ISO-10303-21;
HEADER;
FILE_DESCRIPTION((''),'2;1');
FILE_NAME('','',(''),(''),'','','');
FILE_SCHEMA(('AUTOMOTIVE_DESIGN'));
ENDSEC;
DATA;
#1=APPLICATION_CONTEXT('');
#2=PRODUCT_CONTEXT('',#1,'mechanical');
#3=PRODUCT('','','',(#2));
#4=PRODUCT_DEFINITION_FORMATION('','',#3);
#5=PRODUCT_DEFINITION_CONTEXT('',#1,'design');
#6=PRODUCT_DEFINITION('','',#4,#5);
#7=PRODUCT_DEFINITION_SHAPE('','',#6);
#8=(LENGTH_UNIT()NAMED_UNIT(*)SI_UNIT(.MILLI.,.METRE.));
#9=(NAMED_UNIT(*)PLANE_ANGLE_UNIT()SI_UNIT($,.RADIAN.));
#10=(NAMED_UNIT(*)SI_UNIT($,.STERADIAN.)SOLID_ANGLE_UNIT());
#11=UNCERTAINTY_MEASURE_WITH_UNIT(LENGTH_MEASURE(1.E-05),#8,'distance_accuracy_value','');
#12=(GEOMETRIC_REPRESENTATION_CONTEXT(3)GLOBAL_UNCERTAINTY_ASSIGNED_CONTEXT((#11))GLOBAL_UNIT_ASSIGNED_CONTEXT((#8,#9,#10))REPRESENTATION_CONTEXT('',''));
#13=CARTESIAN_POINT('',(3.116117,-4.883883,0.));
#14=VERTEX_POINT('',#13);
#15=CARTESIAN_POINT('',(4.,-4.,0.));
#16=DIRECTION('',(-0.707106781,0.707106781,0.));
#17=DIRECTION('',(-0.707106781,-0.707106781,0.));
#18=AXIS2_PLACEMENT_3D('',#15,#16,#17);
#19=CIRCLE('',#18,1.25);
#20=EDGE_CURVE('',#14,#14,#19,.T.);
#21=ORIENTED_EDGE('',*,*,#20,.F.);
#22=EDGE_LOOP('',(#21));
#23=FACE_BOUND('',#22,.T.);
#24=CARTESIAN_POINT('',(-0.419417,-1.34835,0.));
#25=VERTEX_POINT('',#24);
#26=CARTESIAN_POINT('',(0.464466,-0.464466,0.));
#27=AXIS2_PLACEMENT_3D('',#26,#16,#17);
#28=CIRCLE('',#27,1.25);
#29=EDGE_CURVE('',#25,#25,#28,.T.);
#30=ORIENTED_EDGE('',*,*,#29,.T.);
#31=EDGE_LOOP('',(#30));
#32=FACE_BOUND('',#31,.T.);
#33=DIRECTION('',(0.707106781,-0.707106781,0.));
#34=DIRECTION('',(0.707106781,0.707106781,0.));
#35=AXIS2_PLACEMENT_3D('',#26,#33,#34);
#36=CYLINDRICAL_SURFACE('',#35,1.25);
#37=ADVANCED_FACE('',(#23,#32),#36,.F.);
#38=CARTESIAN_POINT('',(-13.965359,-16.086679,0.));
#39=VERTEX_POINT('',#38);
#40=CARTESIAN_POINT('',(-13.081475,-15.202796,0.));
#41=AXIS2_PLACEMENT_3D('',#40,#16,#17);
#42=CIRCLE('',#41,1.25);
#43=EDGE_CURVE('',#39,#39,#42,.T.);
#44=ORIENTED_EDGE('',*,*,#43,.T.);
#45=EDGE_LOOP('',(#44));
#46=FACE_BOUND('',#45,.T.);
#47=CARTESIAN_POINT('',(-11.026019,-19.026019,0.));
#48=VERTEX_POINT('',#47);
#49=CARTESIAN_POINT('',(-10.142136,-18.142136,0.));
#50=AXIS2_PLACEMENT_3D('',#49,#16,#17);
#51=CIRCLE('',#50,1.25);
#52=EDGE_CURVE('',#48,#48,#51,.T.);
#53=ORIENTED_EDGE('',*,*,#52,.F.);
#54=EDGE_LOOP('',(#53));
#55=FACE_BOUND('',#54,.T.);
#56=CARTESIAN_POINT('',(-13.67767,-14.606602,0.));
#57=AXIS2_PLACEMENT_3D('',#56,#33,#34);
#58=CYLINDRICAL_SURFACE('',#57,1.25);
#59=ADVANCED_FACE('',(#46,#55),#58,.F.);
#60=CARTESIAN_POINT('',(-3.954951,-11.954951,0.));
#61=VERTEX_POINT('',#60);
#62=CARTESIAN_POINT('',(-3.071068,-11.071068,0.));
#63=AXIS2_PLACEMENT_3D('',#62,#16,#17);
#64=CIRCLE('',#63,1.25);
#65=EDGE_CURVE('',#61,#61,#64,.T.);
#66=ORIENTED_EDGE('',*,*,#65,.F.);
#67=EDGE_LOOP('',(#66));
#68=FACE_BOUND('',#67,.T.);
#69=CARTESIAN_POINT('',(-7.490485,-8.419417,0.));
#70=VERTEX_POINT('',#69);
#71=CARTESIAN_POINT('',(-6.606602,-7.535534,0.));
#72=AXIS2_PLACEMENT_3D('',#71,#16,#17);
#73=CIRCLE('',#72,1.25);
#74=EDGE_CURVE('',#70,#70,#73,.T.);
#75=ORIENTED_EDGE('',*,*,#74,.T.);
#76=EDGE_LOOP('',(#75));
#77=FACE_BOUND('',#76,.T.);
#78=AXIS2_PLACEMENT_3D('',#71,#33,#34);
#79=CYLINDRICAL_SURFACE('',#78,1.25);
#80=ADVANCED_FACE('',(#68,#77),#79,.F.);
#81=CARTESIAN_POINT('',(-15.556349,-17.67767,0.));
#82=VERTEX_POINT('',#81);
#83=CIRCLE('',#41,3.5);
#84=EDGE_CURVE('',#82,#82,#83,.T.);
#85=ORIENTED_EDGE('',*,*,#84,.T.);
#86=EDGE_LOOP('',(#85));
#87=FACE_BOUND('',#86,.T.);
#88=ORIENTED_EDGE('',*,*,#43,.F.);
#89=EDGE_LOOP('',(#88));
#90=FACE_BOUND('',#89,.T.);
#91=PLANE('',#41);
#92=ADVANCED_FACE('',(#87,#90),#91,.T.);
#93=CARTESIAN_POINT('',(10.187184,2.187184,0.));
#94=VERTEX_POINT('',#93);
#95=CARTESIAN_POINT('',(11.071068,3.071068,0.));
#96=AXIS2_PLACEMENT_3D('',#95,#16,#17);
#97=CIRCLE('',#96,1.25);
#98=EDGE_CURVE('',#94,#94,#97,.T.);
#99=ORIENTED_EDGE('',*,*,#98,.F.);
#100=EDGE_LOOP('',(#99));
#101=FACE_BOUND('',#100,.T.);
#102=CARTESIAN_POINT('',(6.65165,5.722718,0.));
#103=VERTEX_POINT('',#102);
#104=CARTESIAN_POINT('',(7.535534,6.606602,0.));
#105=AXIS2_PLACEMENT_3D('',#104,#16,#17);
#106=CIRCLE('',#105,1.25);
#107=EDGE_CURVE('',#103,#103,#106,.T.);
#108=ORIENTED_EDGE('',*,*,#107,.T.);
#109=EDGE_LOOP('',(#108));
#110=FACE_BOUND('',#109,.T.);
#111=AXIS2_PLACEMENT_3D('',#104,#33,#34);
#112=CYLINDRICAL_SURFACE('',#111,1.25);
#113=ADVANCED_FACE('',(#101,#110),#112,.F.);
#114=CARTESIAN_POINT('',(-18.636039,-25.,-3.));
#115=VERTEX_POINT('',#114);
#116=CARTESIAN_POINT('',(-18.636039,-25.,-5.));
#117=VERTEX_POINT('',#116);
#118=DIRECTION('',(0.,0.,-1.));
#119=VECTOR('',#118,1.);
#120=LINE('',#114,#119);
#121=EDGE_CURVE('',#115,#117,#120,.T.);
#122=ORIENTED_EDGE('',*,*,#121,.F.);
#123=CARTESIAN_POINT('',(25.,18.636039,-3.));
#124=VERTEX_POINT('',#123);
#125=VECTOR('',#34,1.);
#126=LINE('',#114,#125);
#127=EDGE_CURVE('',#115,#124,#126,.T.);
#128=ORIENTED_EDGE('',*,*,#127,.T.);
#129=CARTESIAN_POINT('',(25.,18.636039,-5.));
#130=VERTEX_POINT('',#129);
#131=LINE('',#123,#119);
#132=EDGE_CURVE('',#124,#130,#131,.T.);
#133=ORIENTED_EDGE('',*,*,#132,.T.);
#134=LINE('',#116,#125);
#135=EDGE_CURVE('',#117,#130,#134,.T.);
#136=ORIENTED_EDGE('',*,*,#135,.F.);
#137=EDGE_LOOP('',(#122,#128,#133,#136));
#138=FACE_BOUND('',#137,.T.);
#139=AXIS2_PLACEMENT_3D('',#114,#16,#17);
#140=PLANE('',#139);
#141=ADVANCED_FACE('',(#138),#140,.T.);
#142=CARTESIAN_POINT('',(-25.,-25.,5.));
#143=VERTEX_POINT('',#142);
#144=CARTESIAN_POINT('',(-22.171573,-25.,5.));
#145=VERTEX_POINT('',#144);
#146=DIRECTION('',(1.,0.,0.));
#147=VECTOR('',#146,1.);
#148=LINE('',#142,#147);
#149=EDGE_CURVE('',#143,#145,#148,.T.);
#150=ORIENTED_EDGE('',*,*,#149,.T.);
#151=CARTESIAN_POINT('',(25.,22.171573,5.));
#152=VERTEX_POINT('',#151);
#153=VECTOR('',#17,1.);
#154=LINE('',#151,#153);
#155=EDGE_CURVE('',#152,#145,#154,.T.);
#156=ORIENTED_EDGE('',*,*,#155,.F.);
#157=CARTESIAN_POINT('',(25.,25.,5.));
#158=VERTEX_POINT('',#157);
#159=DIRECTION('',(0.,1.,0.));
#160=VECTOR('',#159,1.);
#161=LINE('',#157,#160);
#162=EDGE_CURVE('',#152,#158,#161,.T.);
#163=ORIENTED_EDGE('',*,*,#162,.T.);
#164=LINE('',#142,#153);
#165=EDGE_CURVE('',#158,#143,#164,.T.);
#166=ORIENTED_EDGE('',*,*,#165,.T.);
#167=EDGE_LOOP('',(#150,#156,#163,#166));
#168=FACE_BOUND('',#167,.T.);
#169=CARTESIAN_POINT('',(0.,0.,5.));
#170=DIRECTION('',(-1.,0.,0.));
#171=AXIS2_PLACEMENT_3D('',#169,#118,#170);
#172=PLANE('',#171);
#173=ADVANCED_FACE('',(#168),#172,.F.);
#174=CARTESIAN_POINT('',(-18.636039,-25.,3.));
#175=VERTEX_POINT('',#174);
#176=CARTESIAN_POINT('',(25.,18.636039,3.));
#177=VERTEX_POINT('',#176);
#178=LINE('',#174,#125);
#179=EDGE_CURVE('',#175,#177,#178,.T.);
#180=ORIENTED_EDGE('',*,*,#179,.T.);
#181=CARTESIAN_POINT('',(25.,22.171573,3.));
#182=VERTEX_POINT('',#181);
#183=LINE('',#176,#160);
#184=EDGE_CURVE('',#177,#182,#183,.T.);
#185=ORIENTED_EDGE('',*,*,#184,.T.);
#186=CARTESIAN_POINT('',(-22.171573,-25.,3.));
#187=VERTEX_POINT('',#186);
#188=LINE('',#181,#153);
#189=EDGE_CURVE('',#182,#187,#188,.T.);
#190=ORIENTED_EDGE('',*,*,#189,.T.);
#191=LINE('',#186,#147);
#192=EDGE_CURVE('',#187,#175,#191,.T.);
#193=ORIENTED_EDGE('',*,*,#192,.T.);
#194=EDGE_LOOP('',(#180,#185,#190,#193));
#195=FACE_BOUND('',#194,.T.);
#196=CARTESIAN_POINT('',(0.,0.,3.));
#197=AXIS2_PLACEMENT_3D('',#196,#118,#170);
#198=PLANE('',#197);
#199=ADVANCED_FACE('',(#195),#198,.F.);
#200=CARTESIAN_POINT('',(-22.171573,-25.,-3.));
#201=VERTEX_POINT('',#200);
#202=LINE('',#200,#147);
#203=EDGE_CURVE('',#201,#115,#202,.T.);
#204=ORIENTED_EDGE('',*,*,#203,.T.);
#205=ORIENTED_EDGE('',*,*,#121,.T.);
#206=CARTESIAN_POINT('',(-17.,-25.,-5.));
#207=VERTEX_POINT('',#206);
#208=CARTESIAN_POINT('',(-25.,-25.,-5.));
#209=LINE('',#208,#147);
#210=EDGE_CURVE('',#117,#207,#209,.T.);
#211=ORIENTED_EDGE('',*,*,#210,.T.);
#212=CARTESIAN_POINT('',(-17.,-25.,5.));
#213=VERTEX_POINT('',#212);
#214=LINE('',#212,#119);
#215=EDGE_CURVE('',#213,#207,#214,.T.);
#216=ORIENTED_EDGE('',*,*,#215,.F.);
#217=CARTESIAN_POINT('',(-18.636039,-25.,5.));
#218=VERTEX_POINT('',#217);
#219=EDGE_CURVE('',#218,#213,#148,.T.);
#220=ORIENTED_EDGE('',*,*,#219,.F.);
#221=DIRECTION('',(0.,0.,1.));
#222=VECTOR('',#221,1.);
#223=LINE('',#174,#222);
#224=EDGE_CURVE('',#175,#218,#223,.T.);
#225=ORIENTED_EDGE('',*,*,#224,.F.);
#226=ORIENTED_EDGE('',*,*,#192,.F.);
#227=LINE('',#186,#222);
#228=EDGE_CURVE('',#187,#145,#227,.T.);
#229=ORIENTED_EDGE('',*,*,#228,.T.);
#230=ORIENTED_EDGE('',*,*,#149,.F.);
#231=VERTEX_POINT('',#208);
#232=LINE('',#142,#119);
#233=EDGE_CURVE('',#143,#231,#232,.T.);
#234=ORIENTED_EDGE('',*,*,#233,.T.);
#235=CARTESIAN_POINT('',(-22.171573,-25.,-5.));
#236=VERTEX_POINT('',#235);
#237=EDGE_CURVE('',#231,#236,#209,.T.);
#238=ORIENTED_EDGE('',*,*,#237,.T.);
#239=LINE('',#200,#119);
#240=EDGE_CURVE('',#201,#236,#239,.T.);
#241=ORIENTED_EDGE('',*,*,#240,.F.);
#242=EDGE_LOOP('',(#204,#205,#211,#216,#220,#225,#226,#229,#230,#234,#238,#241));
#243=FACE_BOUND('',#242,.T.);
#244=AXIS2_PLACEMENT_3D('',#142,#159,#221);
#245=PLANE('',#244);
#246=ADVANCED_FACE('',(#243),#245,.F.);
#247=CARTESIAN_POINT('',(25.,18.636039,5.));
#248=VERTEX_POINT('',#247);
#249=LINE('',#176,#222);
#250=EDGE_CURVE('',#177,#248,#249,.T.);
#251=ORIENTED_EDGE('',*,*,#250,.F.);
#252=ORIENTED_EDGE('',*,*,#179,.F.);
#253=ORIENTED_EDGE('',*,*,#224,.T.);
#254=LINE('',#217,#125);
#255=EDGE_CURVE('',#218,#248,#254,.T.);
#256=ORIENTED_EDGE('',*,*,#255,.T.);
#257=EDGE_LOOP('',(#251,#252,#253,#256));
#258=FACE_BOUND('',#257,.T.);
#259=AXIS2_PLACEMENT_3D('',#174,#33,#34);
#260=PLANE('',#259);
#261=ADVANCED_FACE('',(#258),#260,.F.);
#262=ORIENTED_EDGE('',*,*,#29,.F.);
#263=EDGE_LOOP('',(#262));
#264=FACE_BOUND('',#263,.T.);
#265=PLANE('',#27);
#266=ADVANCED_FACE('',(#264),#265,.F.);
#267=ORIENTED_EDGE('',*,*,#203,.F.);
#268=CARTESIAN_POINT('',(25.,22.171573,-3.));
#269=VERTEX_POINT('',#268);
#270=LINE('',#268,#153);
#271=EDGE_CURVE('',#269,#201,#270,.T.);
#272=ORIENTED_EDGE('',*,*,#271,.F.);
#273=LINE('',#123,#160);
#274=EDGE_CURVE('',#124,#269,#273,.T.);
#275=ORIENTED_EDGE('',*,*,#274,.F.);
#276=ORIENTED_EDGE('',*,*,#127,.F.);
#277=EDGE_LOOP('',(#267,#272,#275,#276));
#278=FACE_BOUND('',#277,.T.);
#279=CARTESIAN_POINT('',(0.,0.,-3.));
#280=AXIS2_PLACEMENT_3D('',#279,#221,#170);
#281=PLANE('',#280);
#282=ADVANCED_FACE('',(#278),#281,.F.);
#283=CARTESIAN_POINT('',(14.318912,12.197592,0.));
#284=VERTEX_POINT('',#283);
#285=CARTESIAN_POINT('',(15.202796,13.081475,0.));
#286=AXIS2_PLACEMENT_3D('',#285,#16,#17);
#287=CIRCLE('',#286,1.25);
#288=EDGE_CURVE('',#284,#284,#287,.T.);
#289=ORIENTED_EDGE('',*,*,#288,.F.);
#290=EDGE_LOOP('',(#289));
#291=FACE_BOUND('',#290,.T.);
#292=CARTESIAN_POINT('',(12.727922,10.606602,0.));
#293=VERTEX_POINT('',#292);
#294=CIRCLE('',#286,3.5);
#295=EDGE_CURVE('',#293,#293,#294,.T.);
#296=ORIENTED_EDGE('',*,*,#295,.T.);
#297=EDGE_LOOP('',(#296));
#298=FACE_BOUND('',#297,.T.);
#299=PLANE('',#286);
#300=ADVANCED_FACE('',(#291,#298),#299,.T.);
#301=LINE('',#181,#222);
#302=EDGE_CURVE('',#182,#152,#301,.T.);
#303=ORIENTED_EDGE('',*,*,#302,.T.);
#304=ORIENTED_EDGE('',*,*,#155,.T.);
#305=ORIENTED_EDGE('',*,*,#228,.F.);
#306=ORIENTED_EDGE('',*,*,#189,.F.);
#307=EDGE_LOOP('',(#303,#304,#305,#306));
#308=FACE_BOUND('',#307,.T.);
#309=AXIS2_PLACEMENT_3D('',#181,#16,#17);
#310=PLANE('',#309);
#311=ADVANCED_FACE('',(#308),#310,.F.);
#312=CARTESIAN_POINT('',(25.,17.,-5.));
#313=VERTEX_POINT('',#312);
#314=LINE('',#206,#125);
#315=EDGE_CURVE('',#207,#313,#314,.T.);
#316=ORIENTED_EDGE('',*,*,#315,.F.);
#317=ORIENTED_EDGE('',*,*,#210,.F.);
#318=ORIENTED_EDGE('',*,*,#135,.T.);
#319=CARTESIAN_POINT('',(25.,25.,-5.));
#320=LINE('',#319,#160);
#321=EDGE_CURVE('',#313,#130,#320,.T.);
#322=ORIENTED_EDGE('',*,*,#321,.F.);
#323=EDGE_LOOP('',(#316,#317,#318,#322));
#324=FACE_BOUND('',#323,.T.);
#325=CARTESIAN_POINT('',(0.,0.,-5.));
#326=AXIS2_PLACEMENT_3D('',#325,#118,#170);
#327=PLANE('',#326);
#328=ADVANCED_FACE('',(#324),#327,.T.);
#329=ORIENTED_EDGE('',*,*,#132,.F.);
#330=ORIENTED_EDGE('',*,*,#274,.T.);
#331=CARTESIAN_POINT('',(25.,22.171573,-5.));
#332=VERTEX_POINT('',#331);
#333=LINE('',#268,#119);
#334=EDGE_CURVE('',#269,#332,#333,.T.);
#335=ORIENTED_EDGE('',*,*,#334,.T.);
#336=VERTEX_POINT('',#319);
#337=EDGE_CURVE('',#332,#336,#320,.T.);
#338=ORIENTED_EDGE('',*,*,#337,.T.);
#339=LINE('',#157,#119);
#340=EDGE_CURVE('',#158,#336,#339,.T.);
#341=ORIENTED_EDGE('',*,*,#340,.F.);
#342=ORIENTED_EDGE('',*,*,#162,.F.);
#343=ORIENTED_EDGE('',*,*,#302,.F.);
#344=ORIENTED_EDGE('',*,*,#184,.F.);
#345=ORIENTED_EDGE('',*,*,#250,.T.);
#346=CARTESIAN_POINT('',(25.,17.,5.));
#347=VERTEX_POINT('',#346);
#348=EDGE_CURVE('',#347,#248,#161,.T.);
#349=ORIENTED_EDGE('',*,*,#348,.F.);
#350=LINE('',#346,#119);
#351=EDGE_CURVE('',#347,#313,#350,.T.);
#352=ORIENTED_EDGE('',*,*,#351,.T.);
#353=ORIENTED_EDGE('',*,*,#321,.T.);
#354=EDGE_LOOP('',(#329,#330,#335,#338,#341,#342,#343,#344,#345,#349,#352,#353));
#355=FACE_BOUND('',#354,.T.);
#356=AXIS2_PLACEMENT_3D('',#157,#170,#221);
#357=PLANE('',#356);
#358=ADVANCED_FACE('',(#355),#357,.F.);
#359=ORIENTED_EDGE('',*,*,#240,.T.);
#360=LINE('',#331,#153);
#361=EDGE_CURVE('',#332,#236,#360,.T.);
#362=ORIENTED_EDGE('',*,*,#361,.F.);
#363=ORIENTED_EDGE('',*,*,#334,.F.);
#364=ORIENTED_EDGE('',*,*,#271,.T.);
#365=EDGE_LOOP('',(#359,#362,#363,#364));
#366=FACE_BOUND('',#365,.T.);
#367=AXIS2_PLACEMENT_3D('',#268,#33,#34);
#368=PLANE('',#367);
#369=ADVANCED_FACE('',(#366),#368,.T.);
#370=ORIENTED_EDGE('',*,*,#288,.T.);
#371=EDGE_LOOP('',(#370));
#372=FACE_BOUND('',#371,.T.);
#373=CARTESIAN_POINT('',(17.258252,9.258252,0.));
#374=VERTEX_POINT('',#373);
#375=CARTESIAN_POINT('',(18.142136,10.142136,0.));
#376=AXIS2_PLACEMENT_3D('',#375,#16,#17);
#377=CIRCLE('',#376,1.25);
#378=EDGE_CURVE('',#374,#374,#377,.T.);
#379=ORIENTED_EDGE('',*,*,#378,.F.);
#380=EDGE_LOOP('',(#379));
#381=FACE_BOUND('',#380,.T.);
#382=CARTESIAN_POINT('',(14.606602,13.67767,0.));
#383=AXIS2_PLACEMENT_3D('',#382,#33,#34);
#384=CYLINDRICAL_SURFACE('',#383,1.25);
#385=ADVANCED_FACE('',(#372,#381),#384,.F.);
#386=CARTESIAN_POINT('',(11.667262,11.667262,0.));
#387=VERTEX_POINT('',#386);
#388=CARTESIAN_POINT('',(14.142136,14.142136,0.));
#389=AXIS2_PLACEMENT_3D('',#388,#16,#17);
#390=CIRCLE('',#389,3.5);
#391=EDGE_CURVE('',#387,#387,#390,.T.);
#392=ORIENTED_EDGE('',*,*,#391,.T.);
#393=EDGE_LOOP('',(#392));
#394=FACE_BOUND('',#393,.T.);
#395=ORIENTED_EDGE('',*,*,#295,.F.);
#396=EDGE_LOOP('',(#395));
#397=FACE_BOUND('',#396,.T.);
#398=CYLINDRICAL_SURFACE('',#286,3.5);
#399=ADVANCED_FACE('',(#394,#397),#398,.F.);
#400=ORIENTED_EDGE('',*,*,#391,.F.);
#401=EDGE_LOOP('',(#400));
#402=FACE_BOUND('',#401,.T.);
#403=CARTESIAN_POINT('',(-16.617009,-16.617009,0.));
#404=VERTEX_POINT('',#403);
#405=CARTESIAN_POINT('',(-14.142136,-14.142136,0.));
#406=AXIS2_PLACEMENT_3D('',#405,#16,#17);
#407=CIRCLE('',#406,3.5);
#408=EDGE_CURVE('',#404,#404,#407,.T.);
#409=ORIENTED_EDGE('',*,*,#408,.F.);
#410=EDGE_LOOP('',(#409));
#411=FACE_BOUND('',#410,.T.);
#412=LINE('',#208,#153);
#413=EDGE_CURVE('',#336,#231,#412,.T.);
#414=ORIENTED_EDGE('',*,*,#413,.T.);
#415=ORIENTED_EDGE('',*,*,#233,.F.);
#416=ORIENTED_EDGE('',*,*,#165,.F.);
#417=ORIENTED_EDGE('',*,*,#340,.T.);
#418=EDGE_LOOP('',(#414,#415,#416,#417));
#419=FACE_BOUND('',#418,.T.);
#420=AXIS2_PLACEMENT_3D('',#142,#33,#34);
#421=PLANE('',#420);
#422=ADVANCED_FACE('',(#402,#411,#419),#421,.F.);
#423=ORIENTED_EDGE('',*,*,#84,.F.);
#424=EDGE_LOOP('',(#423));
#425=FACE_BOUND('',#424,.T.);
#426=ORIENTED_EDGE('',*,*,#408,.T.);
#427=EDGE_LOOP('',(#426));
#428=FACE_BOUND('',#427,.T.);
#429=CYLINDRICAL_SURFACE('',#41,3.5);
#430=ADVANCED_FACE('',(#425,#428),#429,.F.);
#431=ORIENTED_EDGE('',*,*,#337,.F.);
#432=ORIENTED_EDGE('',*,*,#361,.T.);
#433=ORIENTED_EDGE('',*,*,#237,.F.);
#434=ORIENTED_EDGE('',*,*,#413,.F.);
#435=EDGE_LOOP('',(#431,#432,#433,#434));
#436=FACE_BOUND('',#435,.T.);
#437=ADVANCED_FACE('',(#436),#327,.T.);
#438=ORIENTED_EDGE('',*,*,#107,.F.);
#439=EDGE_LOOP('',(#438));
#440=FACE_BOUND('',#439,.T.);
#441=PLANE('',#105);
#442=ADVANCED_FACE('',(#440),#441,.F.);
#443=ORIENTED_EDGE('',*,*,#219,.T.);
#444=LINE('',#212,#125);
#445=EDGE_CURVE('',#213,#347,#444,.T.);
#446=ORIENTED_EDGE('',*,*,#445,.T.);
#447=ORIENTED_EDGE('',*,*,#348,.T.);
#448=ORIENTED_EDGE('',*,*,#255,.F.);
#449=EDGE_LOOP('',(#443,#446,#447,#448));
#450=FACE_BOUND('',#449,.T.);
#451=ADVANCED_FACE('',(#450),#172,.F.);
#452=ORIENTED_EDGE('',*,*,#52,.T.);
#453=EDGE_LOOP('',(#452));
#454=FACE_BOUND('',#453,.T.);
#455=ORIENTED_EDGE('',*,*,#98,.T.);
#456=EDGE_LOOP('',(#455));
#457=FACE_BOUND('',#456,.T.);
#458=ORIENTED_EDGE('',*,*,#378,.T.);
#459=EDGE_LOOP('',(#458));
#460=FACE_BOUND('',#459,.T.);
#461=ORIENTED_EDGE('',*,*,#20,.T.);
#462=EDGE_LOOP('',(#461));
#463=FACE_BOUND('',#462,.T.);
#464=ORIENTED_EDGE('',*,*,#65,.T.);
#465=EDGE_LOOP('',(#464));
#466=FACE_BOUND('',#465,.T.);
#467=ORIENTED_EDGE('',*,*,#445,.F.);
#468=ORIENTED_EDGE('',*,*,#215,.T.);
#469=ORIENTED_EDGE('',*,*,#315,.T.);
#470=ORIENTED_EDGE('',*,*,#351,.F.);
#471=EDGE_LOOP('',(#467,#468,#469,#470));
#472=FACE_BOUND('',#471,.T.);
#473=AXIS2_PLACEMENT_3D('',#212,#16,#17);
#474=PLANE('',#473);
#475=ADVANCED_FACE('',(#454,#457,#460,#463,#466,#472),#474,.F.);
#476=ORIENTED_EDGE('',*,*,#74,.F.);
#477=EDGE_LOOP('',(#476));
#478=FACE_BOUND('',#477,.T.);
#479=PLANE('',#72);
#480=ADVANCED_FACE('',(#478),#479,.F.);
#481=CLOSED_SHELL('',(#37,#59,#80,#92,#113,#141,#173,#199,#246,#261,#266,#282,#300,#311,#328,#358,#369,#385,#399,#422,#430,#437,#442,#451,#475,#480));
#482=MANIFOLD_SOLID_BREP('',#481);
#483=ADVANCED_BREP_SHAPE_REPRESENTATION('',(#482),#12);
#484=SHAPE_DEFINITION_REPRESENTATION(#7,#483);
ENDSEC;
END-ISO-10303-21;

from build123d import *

# Parameters (mm, degrees)
MAIN_DEPTH         = 5
WINDOWSLOT1_DEPTH  = 2
SKETCH6_R          = 1.25
CUT_EXTRUDE2_DEPTH = 5
LPATTERN1_COUNT    = 5
LPATTERN1_PITCH    = 10
SKETCH7_R          = 3.5
CUT_EXTRUDE4_DEPTH = 1.5


with BuildPart() as part:
    # Sketch1 → Main (new body, symmetric)
    with BuildSketch(Plane.XY):
        Polygon((-25, -25), (25, 25), (25, 17), (-17, -25), align=None)
    extrude(amount=MAIN_DEPTH, both=True)

    # Sketch4 → WindowSlot1 (cut)
    with BuildSketch(Plane.XY.offset(5)):
        Polygon((25, 22.171572875), (-22.171572875, -25), (-18.636038969, -25), (25, 18.636038969), align=None)
    windowslot1 = extrude(amount=-WINDOWSLOT1_DEPTH, mode=Mode.SUBTRACT)

    # Mirror1: WindowSlot1 across plane
    add(windowslot1.mirror(Plane.XY), mode=Mode.SUBTRACT)

    # Sketch6 → Cut-Extrude2 (cut)
    with BuildSketch(Plane(origin=(4, -4, 0), x_dir=(0, 0, 1), z_dir=(-0.707106781, 0.707106781, 0))):
        with Locations((0, 20)):
            Circle(SKETCH6_R)
    cut_extrude2 = extrude(amount=CUT_EXTRUDE2_DEPTH, mode=Mode.SUBTRACT)

    # LPattern1: Cut-Extrude2 ×5
    with Locations(*[Vector(-0.707106781, -0.707106781, 0) * (i * LPATTERN1_PITCH) for i in range(1, LPATTERN1_COUNT)]):
        add(cut_extrude2, mode=Mode.SUBTRACT)

    # Sketch7 → Cut-Extrude4 (cut)
    with BuildSketch(Plane(origin=(0, 0, 0), x_dir=(0, 0, 1), z_dir=(-0.707106781, 0.707106781, 0))):
        with Locations((0, 20)):
            Circle(SKETCH7_R)
        with Locations((0, -20)):
            Circle(SKETCH7_R)
    extrude(amount=-CUT_EXTRUDE4_DEPTH, mode=Mode.SUBTRACT)


solid = part.part
